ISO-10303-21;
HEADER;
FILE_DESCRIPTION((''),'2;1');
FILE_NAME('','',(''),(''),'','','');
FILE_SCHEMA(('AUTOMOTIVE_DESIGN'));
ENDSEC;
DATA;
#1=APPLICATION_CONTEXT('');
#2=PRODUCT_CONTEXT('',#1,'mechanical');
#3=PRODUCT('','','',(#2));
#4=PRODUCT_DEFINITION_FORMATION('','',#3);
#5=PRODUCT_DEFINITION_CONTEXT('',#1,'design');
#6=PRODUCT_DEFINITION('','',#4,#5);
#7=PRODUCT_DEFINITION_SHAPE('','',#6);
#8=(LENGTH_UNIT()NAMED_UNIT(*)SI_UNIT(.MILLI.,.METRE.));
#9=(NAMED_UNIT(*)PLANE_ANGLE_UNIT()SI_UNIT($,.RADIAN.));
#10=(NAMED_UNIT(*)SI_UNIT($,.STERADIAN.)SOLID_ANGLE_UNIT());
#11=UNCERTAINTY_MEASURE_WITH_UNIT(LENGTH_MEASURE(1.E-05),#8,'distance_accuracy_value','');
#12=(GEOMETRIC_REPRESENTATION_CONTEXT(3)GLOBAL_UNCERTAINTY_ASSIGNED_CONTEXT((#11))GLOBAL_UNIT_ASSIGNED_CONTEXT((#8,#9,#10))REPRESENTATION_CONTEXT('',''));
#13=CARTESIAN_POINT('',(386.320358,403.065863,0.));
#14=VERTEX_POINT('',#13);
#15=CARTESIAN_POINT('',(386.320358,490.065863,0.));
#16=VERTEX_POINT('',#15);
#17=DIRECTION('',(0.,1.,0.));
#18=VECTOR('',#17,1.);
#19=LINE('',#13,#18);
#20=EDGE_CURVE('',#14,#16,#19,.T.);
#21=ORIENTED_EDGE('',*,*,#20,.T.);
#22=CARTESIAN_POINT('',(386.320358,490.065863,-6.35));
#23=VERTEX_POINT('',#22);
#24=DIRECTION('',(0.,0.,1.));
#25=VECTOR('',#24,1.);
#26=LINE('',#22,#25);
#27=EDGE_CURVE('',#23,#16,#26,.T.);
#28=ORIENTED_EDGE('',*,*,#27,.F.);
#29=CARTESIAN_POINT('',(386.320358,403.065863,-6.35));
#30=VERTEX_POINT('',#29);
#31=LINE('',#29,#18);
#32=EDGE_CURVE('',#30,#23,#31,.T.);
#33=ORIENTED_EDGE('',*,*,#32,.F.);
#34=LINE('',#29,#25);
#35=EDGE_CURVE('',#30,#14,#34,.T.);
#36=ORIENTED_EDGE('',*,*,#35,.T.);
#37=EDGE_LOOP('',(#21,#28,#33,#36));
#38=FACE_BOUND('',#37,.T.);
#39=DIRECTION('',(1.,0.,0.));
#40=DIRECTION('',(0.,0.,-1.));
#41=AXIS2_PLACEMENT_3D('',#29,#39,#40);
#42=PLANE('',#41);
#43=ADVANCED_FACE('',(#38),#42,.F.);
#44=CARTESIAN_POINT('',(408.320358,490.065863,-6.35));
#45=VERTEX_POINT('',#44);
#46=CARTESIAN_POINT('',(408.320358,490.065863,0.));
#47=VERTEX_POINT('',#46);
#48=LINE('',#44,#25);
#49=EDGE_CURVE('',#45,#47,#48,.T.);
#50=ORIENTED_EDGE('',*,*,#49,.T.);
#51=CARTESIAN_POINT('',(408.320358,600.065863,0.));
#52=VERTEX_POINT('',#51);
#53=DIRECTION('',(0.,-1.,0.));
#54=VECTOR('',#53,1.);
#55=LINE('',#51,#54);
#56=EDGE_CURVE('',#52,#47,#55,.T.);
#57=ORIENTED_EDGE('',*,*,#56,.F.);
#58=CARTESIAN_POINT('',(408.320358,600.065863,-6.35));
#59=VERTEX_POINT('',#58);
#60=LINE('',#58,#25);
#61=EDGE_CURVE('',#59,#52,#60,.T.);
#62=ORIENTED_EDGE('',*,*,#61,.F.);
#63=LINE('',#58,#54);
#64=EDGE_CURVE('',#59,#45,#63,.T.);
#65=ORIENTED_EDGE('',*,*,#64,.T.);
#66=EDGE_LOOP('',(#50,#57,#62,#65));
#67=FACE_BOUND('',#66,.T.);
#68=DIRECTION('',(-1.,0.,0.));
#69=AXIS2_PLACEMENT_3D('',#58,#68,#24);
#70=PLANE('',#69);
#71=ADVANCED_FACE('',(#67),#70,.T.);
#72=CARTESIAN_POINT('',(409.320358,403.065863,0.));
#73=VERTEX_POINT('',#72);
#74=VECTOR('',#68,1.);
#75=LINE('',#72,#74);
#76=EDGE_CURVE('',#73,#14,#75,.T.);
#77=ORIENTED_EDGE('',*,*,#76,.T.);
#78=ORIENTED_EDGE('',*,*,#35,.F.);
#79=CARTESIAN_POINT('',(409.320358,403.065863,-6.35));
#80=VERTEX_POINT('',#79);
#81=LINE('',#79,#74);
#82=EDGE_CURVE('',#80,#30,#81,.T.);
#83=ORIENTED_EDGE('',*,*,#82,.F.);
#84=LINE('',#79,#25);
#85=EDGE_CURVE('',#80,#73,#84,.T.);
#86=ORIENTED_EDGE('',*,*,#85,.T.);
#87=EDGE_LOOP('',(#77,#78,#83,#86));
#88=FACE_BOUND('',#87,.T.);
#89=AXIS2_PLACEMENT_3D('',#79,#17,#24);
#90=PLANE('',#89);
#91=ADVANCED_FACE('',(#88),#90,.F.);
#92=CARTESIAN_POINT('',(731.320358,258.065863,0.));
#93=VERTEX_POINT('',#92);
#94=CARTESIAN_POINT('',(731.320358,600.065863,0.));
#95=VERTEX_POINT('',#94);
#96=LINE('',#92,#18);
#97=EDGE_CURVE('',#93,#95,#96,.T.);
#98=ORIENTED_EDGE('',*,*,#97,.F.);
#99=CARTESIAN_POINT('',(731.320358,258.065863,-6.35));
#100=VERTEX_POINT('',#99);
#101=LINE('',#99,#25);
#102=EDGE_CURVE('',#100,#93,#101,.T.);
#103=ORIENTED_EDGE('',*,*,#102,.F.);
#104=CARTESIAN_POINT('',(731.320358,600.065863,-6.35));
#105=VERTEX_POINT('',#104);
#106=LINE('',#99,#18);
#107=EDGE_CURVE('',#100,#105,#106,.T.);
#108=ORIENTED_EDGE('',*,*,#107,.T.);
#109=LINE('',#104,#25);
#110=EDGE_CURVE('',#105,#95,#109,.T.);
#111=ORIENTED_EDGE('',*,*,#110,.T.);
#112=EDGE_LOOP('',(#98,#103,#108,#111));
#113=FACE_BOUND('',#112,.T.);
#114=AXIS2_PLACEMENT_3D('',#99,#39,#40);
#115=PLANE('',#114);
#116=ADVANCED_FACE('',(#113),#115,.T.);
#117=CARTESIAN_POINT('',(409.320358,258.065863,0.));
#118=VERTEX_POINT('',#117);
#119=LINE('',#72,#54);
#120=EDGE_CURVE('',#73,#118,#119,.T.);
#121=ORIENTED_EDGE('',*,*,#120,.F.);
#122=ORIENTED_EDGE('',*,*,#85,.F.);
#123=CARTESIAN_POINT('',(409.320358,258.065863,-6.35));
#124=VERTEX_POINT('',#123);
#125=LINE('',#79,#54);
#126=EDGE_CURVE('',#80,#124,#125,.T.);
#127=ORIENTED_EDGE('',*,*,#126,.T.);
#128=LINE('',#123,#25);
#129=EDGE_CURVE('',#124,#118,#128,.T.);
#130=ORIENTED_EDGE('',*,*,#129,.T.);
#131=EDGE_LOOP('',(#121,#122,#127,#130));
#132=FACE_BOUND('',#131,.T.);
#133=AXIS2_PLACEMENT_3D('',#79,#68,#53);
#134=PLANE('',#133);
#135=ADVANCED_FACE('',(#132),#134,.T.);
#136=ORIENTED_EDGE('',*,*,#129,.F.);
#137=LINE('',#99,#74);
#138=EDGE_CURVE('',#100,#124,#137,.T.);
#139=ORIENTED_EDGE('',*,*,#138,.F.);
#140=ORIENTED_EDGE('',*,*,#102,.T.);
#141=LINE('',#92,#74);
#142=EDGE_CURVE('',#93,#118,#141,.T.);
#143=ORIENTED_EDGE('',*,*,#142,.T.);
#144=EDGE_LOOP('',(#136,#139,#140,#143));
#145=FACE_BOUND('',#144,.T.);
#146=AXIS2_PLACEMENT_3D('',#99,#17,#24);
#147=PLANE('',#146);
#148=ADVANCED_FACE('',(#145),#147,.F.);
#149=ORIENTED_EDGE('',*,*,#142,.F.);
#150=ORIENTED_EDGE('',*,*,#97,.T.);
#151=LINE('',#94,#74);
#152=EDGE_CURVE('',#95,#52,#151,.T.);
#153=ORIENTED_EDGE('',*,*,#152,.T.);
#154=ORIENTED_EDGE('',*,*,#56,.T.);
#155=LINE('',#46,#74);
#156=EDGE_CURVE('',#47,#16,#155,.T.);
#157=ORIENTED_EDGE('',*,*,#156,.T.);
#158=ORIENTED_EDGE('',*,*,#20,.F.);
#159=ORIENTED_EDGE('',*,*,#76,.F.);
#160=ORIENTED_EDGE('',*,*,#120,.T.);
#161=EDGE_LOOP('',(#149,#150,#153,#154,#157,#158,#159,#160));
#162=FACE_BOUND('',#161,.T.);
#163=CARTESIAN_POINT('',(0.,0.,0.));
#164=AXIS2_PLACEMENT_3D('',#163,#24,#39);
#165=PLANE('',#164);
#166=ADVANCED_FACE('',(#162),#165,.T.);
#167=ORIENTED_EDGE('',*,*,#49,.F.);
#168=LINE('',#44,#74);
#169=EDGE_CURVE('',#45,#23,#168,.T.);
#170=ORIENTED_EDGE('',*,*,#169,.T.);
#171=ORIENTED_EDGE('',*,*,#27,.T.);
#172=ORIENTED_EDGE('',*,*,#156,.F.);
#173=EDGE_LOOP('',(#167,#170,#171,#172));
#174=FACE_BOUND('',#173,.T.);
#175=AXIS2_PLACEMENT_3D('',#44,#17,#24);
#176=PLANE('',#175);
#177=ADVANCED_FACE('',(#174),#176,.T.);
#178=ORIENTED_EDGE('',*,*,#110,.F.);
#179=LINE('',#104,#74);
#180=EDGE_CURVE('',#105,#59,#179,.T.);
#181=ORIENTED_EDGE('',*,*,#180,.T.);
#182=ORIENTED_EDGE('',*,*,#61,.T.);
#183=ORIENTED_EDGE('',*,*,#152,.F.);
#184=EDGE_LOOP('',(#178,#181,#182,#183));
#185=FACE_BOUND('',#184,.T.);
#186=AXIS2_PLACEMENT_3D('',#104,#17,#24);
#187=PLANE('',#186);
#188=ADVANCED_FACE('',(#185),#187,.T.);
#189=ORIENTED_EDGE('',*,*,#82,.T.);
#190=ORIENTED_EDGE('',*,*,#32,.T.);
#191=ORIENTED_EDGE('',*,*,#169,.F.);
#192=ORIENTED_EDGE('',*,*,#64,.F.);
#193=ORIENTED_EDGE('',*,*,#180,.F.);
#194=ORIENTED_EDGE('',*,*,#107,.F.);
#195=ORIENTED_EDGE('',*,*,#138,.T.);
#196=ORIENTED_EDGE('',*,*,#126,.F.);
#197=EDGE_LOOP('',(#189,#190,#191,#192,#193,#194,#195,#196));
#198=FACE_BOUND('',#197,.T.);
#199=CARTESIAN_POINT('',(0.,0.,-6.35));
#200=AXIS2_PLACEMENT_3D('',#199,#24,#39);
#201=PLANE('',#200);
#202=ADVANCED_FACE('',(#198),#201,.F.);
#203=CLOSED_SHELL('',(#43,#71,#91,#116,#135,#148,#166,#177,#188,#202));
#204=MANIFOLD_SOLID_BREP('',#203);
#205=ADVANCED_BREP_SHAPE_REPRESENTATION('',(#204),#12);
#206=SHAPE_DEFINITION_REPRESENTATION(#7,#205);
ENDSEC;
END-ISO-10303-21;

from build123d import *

# Parameters (mm, degrees)
BOSS_EXTRUDE1_DEPTH = 6.35


with BuildPart() as part:
    # Model → Boss-Extrude1 (new body)
    with BuildSketch(Plane.XY):
        Polygon((731.320358487, 258.065863271), (409.320358487, 258.065863271), (409.320358487, 403.065863271), (386.320358487, 403.065863271), (386.320358487, 490.065863271), (408.320358487, 490.065863271), (408.320358487, 600.065863271), (731.320358487, 600.065863271), align=None)
    extrude(amount=-BOSS_EXTRUDE1_DEPTH)


solid = part.part
